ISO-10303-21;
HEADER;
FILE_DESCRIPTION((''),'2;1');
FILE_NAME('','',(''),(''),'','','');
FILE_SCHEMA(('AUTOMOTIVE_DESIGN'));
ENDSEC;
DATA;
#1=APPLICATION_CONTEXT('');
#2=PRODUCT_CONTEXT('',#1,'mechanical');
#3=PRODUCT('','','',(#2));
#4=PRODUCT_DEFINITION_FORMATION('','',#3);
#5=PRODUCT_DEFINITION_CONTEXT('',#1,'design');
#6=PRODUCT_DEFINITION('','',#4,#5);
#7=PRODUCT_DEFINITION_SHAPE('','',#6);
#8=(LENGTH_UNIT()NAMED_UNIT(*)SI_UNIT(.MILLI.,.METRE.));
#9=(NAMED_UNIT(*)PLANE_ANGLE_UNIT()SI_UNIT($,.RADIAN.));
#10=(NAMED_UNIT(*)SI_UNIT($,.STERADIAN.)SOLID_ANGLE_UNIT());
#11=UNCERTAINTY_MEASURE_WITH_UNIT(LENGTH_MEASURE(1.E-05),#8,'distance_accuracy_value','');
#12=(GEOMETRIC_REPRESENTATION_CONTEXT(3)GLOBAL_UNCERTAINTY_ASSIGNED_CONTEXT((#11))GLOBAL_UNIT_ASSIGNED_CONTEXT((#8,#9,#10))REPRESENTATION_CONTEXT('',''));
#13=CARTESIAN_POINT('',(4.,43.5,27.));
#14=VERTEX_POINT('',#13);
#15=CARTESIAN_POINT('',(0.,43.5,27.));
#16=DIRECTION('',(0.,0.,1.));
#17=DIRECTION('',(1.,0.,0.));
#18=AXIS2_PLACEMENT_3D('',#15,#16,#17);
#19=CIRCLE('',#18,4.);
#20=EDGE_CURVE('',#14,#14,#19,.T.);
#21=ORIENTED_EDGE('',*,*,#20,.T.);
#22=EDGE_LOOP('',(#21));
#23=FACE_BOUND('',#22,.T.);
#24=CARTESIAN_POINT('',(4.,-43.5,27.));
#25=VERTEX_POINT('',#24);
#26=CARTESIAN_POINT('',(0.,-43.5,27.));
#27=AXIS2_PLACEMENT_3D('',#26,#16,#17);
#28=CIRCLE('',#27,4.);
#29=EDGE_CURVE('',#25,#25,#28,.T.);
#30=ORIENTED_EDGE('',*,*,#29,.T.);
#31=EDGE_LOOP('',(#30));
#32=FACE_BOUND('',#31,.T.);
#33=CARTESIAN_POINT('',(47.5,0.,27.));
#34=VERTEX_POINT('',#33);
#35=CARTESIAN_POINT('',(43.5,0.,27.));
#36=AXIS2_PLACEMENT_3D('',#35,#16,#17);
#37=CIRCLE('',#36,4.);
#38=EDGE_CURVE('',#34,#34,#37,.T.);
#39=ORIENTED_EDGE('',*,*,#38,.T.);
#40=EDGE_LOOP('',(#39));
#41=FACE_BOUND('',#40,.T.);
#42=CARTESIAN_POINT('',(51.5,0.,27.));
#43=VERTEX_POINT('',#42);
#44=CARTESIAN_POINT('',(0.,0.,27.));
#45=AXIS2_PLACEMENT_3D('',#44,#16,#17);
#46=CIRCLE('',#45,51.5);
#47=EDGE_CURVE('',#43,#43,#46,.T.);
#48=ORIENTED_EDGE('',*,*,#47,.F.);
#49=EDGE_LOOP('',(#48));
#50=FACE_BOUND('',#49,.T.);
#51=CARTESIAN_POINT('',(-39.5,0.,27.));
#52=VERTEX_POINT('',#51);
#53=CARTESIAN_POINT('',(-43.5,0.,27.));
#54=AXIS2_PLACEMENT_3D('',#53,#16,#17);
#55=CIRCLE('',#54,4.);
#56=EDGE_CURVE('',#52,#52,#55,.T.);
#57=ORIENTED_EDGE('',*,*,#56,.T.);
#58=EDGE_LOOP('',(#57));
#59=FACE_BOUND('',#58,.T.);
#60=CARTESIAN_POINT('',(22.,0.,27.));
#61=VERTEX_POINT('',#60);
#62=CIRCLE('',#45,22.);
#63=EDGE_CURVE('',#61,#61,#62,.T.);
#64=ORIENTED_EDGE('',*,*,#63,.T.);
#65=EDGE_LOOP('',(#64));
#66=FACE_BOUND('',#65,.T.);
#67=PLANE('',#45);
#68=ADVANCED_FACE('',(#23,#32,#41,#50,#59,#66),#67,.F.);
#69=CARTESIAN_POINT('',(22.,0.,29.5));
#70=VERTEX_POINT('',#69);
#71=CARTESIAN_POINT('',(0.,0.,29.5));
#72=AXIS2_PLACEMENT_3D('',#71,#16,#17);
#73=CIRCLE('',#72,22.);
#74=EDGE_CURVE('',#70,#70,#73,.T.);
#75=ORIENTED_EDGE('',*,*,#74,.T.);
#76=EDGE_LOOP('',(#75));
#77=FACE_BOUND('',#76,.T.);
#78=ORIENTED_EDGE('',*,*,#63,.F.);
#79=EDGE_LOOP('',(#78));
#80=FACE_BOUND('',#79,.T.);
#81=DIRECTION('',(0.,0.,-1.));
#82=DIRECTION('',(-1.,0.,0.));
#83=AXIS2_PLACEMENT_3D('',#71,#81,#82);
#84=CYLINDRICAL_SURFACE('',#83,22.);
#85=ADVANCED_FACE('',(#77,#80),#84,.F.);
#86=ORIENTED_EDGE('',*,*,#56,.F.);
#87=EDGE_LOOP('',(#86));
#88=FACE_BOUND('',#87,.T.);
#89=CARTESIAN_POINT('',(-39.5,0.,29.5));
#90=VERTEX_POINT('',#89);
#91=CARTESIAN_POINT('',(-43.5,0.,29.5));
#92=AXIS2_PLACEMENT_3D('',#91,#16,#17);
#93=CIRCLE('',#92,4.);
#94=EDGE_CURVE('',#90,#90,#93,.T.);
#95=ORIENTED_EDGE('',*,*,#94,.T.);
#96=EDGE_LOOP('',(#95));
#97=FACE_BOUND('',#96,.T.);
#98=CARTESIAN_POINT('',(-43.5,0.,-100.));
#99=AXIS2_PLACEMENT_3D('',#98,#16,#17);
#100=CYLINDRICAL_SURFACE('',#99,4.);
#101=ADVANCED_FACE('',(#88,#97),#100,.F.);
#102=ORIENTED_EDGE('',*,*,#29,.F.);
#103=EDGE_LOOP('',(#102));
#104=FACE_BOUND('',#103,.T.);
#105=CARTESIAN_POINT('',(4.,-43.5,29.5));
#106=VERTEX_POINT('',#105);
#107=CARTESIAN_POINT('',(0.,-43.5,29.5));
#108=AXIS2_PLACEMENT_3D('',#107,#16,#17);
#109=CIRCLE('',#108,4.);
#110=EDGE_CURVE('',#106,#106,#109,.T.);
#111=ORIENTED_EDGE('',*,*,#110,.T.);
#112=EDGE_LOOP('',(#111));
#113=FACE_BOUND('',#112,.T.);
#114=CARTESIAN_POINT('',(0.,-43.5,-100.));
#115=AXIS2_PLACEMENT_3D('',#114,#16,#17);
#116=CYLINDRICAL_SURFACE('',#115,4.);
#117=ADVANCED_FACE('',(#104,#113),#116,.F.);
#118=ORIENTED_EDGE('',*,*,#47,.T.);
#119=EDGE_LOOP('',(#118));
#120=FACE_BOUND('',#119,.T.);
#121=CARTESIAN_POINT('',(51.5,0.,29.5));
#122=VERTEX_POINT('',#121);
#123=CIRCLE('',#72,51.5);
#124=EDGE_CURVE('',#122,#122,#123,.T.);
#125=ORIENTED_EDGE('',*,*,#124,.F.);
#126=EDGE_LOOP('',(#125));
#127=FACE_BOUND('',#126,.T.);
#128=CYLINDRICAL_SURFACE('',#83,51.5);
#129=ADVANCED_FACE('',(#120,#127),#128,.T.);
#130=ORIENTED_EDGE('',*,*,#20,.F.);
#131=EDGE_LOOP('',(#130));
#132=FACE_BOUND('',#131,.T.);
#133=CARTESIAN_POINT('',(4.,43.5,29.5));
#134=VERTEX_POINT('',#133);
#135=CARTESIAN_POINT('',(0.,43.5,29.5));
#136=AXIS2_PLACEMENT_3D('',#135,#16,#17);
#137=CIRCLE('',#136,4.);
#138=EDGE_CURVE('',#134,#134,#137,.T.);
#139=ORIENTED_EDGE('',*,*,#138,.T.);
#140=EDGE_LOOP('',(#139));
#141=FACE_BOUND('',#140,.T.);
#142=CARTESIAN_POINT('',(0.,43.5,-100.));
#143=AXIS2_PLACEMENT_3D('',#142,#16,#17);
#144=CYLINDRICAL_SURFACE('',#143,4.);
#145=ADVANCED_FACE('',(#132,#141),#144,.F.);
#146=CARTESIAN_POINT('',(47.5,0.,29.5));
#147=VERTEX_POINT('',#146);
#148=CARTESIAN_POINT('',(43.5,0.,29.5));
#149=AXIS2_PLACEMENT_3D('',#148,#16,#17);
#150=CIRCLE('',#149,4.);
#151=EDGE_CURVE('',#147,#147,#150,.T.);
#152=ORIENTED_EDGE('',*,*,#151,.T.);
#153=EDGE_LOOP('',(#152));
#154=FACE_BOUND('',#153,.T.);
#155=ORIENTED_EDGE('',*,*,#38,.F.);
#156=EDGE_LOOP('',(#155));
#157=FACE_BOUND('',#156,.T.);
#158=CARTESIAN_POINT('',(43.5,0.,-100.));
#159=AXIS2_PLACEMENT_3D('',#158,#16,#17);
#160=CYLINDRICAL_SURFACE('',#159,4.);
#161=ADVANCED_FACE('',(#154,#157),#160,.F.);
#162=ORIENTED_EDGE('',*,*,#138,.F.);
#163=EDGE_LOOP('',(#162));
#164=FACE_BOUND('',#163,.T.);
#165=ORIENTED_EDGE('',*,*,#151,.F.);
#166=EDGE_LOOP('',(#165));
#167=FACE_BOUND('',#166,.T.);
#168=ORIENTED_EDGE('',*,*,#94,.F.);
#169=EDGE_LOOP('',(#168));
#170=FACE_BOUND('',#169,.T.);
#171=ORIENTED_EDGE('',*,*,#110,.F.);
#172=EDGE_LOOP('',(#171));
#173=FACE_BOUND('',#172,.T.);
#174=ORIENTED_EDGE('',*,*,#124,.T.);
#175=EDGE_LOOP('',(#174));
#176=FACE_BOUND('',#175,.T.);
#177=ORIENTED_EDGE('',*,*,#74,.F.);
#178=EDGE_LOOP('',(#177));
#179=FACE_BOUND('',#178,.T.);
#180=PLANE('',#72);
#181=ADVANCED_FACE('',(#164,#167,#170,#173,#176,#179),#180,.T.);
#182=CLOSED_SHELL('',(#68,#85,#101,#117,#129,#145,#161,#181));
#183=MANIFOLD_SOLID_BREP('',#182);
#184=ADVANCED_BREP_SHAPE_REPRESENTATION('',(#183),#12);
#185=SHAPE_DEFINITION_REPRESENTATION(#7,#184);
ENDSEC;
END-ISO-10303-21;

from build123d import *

# Parameters (mm, degrees)
CARRIER_REAR_START  = 27
SKETCH_1_R          = 51.5
SKETCH_1_R_2        = 22
CARRIER_REAR_DEPTH  = 2.5
SKETCH_2_R          = 4
THROUGH_HOLES_DEPTH = 100


with BuildPart() as part:
    # Эскиз1 → Carrier_rear (new body)
    with BuildSketch(Plane.XY.offset(CARRIER_REAR_START)):
        Circle(SKETCH_1_R)
        Circle(SKETCH_1_R_2, mode=Mode.SUBTRACT)
    extrude(amount=CARRIER_REAR_DEPTH)

    # Эскиз2 → Through_holes (cut, symmetric)
    with BuildSketch(Plane.XY):
        with Locations((43.5, 0)):
            Circle(SKETCH_2_R)
        with Locations((0, 43.5)):
            Circle(SKETCH_2_R)
        with Locations((-43.5, 0)):
            Circle(SKETCH_2_R)
        with Locations((0, -43.5)):
            Circle(SKETCH_2_R)
    extrude(amount=THROUGH_HOLES_DEPTH, both=True, mode=Mode.SUBTRACT)


solid = part.part
